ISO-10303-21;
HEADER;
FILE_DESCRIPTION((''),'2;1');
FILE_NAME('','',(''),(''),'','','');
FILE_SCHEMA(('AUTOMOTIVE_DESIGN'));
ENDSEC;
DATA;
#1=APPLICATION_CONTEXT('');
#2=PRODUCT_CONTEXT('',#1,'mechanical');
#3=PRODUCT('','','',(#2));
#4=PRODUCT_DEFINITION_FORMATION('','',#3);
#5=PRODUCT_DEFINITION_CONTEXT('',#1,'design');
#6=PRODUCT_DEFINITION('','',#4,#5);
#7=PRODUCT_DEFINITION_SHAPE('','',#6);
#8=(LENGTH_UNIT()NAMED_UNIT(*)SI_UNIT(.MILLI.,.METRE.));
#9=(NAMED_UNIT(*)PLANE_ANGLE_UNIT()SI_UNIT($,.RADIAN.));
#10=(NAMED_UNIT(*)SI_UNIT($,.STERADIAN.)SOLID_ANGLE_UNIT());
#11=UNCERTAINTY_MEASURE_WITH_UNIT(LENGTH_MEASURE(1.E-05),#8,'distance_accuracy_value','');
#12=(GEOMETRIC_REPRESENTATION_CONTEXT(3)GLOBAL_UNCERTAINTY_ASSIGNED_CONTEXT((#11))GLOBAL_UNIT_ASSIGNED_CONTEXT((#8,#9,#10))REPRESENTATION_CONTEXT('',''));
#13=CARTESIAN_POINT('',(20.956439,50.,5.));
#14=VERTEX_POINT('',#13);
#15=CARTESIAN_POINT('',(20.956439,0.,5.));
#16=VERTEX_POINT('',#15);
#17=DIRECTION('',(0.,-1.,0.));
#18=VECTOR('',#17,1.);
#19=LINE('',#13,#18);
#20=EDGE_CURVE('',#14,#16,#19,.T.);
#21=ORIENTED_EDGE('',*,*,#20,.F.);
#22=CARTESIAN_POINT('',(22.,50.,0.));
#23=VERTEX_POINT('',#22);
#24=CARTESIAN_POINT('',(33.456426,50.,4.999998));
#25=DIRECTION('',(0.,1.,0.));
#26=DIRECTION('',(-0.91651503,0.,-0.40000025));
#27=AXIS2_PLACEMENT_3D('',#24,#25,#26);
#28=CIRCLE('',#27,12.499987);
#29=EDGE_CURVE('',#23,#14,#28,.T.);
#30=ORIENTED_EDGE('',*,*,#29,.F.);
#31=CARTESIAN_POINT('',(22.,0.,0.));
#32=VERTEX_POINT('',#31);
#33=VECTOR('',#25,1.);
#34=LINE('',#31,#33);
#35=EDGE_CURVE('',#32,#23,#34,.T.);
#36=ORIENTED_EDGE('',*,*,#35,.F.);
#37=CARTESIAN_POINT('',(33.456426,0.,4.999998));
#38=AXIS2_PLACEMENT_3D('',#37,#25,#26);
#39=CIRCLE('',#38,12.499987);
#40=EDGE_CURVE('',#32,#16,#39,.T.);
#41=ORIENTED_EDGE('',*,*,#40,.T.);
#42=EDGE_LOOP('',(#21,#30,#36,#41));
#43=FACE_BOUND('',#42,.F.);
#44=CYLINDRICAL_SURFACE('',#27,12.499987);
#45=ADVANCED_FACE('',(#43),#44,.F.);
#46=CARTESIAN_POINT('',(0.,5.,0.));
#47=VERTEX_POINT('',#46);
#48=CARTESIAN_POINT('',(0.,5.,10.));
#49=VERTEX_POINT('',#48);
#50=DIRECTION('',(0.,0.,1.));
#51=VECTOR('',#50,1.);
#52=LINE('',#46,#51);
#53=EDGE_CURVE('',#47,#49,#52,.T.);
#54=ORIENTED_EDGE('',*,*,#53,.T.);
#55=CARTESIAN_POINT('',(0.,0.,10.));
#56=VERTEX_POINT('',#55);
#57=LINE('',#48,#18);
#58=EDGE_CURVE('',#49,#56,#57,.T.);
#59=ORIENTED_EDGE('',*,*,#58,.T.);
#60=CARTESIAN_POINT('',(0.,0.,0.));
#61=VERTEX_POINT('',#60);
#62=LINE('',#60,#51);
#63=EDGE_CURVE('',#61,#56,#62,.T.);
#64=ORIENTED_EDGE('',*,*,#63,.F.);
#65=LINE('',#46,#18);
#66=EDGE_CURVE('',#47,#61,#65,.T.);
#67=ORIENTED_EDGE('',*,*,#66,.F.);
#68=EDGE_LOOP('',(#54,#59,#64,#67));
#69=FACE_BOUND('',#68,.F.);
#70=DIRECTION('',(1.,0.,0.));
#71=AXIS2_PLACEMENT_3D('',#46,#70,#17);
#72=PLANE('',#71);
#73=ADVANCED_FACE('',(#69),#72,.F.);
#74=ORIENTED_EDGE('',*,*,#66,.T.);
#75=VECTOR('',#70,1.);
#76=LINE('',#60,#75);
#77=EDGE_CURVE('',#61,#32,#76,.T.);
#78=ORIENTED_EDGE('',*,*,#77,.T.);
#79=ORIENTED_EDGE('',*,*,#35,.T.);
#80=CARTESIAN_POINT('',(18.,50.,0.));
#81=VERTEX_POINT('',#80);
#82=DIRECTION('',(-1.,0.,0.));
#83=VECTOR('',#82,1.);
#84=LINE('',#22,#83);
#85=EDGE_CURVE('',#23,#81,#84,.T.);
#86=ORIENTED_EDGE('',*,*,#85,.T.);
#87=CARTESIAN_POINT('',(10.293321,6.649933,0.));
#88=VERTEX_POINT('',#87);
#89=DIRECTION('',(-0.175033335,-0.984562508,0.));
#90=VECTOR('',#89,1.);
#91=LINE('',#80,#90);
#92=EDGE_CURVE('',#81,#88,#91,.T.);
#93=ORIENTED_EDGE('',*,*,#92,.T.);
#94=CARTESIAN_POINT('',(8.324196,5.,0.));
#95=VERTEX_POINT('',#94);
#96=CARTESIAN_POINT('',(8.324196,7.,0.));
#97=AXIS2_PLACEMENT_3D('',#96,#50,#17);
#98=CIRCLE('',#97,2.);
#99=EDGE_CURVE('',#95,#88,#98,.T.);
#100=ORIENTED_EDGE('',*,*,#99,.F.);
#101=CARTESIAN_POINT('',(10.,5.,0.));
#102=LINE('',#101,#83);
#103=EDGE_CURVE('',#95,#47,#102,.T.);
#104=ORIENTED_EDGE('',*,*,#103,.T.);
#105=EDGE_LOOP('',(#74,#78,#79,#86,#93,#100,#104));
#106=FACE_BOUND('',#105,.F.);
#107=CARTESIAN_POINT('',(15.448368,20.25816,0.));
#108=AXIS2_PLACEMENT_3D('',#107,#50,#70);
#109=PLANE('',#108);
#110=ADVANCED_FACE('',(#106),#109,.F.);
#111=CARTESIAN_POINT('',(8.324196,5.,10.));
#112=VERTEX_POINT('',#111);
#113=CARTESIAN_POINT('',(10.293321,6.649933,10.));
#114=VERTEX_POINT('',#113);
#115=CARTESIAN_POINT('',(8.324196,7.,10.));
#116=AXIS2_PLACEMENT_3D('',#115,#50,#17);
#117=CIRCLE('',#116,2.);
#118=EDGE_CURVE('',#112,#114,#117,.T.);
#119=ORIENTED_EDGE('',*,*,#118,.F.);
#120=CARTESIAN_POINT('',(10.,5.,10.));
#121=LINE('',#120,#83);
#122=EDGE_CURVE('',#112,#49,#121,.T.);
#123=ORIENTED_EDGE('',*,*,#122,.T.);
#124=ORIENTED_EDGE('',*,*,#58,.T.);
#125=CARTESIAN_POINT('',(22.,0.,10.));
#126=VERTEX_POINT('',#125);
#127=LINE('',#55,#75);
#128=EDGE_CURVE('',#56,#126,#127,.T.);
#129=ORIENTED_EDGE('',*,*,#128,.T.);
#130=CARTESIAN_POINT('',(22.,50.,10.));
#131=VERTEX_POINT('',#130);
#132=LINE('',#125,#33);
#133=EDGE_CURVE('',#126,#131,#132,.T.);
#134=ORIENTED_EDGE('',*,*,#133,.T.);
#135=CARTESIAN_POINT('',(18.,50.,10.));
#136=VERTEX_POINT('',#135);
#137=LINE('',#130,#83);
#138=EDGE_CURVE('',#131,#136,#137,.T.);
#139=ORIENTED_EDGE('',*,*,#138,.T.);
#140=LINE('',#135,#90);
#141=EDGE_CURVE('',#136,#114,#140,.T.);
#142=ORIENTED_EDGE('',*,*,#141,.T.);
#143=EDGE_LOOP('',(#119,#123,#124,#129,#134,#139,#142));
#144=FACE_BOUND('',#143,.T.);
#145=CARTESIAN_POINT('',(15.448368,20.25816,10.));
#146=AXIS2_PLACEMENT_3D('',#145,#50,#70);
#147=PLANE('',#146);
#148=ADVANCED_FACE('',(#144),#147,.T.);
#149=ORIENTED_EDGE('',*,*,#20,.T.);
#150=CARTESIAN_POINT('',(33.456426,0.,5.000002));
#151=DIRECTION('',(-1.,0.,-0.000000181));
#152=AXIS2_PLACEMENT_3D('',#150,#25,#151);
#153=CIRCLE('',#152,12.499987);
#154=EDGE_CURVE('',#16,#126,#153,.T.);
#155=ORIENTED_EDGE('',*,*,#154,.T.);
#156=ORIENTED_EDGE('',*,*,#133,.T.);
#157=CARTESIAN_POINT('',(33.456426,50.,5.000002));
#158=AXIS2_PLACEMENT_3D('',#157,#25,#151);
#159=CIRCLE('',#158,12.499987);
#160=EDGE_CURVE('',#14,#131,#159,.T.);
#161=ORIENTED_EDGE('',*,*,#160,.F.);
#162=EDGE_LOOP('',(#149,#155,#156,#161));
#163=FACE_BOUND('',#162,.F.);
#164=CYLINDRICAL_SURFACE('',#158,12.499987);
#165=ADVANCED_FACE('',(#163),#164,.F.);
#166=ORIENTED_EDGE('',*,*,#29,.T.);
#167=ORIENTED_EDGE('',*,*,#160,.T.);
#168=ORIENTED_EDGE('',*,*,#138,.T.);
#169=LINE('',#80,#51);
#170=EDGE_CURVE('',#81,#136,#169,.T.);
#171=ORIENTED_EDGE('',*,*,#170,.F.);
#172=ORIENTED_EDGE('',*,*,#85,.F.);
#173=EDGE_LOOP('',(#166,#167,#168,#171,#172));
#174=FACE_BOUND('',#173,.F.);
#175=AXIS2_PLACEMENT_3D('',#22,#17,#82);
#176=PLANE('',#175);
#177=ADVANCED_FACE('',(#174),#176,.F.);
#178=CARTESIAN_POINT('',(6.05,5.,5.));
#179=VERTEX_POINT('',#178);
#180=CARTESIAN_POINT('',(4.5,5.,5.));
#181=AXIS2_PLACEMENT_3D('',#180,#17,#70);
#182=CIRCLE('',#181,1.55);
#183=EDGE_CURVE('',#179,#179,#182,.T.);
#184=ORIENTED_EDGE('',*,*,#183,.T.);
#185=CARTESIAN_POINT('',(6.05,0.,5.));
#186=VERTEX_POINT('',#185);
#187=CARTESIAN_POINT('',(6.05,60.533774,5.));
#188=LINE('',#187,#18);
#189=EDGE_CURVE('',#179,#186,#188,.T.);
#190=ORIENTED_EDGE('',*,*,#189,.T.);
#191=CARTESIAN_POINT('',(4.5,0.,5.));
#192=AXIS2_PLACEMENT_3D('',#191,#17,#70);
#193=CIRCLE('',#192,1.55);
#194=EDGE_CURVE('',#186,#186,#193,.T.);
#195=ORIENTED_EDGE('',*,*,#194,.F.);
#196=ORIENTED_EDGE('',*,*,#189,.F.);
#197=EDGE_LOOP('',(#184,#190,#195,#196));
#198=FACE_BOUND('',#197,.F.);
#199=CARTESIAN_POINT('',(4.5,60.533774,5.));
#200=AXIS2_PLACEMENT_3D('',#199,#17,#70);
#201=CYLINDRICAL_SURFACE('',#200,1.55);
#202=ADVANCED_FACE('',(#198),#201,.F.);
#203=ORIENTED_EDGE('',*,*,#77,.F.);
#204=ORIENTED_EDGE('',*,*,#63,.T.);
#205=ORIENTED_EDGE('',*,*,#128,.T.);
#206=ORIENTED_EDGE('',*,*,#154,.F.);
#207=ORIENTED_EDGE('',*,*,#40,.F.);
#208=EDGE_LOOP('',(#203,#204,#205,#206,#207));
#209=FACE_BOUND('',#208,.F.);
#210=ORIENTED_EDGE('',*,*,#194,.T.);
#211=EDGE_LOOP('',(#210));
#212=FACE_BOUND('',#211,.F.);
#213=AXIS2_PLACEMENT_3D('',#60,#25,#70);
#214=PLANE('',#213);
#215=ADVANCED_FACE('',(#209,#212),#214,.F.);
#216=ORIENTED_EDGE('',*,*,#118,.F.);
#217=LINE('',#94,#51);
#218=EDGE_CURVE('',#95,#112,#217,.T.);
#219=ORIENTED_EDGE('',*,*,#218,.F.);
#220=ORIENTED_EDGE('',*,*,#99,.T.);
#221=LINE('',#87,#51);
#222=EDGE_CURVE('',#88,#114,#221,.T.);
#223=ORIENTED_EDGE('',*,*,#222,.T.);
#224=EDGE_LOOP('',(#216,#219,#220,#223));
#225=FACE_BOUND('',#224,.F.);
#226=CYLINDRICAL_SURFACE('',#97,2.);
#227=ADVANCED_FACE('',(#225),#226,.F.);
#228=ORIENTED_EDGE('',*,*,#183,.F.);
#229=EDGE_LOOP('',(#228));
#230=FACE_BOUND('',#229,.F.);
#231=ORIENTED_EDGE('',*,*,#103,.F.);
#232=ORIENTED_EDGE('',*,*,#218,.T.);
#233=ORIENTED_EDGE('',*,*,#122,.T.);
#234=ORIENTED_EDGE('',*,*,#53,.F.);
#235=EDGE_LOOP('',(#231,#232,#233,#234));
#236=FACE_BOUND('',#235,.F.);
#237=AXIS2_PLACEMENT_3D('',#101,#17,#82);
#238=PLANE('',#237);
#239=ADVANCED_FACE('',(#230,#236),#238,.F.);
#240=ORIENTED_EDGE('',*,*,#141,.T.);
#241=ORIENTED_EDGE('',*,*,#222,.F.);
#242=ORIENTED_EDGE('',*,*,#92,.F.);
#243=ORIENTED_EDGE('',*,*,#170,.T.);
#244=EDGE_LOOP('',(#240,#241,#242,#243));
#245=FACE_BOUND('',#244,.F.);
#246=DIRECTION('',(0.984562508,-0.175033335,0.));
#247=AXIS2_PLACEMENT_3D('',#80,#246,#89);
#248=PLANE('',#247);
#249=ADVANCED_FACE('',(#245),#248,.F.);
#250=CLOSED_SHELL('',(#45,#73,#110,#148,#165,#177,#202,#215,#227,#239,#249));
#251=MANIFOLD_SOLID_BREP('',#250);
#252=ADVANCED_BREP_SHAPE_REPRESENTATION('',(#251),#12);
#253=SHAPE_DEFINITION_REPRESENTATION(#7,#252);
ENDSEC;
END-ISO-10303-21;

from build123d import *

# Parameters (mm, degrees)
F1_DEPTH = 10
F3_DEPTH = 50.001
F5_D     = 3.1
F6_R     = 2


with BuildPart() as f1:
    # F0 (on Top) → F1 (new body)
    with BuildSketch(Plane.XY):
        Polygon((0, 5), (0, 0), (22, 0), (22, 50), (18, 50), (10, 5), align=None)
    extrude(amount=F1_DEPTH)

    # F2 (on face) → F3 (cut, through all)
    with BuildSketch(Plane(origin=(0, 50, 0), x_dir=(-1, 0, 0), z_dir=(0, 1, 0))):
        with BuildLine():
            Line((-22, 0), (-22, 10))
            ThreePointArc((-22, 10), (-45.956439, 5), (-22, 0))
        make_face()
        with BuildLine():
            ThreePointArc((-22, 0), (-21.22011, 2.446129), (-20.956439, 5))
            ThreePointArc((-20.956439, 5), (-21.22011, 7.553871), (-22, 10))
            Line((-22, 10), (-22, 0))
        make_face()
    extrude(amount=-F3_DEPTH, mode=Mode.SUBTRACT)

    # F5 (through all)
    with Locations(Plane(origin=(0, 5, 0), x_dir=(-1, 0, 0), z_dir=(0, 1, 0))):
        with Locations((-4.5, 5)):
            Hole(F5_D / 2)

    # F6
    f6_edges = [f1.edges().sort_by_distance(p)[0] for p in [
        (10, 5, 5),
    ]]
    fillet(f6_edges, radius=F6_R)


solid = f1.part
